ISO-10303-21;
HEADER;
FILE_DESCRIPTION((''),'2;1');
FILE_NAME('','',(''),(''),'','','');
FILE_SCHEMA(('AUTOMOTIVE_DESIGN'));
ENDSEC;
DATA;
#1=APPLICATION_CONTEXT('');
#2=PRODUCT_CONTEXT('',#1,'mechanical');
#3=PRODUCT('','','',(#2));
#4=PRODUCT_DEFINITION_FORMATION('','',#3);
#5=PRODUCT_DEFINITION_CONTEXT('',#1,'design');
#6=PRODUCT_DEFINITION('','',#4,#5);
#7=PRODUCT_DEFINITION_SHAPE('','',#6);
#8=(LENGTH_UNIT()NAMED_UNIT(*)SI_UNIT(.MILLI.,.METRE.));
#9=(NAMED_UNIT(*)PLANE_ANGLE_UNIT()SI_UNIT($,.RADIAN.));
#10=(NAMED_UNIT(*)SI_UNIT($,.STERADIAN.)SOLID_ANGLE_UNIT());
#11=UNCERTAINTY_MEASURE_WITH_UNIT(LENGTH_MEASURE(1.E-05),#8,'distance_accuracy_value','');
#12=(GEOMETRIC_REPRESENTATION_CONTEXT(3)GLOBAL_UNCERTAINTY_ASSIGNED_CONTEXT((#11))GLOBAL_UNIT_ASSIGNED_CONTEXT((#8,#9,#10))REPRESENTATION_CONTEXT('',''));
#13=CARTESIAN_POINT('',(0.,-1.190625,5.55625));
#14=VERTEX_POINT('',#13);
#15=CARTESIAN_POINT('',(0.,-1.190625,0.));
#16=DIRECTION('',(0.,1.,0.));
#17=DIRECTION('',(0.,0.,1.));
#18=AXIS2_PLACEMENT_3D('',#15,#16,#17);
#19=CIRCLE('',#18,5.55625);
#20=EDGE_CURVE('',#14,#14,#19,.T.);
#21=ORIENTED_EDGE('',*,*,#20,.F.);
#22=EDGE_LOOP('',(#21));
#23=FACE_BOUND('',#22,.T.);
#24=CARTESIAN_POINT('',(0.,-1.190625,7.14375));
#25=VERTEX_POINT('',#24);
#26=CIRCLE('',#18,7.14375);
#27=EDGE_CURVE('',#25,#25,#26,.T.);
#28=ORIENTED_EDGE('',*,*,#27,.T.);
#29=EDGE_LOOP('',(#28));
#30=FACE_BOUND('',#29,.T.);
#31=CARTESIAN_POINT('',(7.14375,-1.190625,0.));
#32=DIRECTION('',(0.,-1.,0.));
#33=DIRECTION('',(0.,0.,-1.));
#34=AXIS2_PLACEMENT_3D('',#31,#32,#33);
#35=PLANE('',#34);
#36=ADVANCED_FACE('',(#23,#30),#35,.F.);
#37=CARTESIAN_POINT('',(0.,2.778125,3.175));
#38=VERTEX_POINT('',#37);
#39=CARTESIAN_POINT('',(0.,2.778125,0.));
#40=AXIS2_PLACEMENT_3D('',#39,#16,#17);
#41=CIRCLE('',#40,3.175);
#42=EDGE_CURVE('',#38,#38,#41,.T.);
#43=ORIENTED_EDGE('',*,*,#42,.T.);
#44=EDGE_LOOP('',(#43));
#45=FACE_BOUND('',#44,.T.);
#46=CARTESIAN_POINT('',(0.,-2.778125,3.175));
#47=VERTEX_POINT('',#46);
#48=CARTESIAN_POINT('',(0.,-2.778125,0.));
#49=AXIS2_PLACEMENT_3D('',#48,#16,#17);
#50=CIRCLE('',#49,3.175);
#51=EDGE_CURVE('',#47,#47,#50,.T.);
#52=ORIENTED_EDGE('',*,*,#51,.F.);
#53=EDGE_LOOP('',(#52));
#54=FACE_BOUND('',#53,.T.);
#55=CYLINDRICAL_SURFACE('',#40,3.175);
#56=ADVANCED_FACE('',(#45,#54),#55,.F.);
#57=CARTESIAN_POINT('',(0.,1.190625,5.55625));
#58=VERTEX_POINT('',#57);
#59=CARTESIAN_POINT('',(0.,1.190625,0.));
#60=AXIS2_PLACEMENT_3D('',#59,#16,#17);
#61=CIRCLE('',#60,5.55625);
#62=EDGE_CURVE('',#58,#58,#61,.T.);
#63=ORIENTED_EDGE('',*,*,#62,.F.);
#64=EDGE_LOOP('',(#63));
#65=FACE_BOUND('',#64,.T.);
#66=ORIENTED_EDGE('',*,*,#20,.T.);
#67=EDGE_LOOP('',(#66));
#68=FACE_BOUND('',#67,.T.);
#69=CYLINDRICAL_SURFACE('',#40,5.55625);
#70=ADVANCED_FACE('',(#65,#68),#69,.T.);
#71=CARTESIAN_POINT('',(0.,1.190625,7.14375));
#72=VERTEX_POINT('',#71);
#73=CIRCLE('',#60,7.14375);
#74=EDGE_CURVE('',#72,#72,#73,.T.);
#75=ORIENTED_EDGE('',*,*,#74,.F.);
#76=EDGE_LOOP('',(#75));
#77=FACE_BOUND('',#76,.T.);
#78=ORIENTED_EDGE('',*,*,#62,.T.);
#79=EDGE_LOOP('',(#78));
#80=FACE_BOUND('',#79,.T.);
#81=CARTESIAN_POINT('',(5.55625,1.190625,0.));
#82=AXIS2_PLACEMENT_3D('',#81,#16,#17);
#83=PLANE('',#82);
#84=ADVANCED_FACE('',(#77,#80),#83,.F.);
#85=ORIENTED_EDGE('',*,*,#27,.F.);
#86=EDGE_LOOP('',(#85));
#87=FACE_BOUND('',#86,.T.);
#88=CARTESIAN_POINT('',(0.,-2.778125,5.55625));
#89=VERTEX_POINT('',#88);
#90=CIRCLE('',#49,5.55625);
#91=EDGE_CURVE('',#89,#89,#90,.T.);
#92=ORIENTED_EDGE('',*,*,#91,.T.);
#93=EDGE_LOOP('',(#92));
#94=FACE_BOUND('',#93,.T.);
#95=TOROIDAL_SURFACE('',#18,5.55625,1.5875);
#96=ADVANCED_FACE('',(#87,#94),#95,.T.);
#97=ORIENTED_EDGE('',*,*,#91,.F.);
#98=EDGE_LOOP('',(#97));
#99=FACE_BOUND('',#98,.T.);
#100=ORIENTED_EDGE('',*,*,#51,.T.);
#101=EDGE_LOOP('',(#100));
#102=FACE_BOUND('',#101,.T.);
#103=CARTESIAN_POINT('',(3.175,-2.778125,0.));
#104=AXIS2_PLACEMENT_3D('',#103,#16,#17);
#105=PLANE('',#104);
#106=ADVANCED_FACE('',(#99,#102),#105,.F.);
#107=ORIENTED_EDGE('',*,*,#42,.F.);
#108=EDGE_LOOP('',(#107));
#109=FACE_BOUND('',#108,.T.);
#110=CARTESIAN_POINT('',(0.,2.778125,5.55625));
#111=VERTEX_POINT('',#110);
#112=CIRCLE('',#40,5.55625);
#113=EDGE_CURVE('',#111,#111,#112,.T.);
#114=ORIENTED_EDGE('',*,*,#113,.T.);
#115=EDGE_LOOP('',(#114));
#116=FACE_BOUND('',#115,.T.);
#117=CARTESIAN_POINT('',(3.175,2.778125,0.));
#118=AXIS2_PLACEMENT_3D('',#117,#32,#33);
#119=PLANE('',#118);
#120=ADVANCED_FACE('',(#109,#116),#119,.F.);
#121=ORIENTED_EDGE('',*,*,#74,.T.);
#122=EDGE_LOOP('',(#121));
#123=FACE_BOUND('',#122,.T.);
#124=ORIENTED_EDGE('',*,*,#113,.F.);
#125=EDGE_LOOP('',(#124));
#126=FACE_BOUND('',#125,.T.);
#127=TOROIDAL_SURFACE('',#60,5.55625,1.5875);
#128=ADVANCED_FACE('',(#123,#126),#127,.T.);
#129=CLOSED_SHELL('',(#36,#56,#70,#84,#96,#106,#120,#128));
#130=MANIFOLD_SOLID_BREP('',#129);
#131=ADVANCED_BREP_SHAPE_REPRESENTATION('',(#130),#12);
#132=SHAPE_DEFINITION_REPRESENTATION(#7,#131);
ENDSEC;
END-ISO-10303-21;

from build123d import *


with BuildPart() as part:
    # Sketch2 → Revolve1 (revolve)
    with BuildSketch(Plane.XY, mode=Mode.PRIVATE) as revolve1_sk:
        with BuildLine():
            Line((5.55625, 1.190625), (7.14375, 1.190625))
            ThreePointArc((7.14375, 1.190625), (6.678782015, 2.313157015), (5.55625, 2.778125))
            Line((5.55625, 2.778125), (3.175, 2.778125))
            Line((3.175, 2.778125), (3.175, -2.778125))
            Line((3.175, -2.778125), (5.55625, -2.778125))
            ThreePointArc((5.55625, -2.778125), (6.678782015, -2.313157015), (7.14375, -1.190625))
            Line((7.14375, -1.190625), (5.55625, -1.190625))
            Line((5.55625, -1.190625), (5.55625, 1.190625))
        make_face()
    revolve(revolve1_sk.sketch.rotate(Axis((0, 2.778125, 0), (0, -1, 0)), 90), axis=Axis((0, 2.778125, 0), (0, -1, 0)))


solid = part.part
